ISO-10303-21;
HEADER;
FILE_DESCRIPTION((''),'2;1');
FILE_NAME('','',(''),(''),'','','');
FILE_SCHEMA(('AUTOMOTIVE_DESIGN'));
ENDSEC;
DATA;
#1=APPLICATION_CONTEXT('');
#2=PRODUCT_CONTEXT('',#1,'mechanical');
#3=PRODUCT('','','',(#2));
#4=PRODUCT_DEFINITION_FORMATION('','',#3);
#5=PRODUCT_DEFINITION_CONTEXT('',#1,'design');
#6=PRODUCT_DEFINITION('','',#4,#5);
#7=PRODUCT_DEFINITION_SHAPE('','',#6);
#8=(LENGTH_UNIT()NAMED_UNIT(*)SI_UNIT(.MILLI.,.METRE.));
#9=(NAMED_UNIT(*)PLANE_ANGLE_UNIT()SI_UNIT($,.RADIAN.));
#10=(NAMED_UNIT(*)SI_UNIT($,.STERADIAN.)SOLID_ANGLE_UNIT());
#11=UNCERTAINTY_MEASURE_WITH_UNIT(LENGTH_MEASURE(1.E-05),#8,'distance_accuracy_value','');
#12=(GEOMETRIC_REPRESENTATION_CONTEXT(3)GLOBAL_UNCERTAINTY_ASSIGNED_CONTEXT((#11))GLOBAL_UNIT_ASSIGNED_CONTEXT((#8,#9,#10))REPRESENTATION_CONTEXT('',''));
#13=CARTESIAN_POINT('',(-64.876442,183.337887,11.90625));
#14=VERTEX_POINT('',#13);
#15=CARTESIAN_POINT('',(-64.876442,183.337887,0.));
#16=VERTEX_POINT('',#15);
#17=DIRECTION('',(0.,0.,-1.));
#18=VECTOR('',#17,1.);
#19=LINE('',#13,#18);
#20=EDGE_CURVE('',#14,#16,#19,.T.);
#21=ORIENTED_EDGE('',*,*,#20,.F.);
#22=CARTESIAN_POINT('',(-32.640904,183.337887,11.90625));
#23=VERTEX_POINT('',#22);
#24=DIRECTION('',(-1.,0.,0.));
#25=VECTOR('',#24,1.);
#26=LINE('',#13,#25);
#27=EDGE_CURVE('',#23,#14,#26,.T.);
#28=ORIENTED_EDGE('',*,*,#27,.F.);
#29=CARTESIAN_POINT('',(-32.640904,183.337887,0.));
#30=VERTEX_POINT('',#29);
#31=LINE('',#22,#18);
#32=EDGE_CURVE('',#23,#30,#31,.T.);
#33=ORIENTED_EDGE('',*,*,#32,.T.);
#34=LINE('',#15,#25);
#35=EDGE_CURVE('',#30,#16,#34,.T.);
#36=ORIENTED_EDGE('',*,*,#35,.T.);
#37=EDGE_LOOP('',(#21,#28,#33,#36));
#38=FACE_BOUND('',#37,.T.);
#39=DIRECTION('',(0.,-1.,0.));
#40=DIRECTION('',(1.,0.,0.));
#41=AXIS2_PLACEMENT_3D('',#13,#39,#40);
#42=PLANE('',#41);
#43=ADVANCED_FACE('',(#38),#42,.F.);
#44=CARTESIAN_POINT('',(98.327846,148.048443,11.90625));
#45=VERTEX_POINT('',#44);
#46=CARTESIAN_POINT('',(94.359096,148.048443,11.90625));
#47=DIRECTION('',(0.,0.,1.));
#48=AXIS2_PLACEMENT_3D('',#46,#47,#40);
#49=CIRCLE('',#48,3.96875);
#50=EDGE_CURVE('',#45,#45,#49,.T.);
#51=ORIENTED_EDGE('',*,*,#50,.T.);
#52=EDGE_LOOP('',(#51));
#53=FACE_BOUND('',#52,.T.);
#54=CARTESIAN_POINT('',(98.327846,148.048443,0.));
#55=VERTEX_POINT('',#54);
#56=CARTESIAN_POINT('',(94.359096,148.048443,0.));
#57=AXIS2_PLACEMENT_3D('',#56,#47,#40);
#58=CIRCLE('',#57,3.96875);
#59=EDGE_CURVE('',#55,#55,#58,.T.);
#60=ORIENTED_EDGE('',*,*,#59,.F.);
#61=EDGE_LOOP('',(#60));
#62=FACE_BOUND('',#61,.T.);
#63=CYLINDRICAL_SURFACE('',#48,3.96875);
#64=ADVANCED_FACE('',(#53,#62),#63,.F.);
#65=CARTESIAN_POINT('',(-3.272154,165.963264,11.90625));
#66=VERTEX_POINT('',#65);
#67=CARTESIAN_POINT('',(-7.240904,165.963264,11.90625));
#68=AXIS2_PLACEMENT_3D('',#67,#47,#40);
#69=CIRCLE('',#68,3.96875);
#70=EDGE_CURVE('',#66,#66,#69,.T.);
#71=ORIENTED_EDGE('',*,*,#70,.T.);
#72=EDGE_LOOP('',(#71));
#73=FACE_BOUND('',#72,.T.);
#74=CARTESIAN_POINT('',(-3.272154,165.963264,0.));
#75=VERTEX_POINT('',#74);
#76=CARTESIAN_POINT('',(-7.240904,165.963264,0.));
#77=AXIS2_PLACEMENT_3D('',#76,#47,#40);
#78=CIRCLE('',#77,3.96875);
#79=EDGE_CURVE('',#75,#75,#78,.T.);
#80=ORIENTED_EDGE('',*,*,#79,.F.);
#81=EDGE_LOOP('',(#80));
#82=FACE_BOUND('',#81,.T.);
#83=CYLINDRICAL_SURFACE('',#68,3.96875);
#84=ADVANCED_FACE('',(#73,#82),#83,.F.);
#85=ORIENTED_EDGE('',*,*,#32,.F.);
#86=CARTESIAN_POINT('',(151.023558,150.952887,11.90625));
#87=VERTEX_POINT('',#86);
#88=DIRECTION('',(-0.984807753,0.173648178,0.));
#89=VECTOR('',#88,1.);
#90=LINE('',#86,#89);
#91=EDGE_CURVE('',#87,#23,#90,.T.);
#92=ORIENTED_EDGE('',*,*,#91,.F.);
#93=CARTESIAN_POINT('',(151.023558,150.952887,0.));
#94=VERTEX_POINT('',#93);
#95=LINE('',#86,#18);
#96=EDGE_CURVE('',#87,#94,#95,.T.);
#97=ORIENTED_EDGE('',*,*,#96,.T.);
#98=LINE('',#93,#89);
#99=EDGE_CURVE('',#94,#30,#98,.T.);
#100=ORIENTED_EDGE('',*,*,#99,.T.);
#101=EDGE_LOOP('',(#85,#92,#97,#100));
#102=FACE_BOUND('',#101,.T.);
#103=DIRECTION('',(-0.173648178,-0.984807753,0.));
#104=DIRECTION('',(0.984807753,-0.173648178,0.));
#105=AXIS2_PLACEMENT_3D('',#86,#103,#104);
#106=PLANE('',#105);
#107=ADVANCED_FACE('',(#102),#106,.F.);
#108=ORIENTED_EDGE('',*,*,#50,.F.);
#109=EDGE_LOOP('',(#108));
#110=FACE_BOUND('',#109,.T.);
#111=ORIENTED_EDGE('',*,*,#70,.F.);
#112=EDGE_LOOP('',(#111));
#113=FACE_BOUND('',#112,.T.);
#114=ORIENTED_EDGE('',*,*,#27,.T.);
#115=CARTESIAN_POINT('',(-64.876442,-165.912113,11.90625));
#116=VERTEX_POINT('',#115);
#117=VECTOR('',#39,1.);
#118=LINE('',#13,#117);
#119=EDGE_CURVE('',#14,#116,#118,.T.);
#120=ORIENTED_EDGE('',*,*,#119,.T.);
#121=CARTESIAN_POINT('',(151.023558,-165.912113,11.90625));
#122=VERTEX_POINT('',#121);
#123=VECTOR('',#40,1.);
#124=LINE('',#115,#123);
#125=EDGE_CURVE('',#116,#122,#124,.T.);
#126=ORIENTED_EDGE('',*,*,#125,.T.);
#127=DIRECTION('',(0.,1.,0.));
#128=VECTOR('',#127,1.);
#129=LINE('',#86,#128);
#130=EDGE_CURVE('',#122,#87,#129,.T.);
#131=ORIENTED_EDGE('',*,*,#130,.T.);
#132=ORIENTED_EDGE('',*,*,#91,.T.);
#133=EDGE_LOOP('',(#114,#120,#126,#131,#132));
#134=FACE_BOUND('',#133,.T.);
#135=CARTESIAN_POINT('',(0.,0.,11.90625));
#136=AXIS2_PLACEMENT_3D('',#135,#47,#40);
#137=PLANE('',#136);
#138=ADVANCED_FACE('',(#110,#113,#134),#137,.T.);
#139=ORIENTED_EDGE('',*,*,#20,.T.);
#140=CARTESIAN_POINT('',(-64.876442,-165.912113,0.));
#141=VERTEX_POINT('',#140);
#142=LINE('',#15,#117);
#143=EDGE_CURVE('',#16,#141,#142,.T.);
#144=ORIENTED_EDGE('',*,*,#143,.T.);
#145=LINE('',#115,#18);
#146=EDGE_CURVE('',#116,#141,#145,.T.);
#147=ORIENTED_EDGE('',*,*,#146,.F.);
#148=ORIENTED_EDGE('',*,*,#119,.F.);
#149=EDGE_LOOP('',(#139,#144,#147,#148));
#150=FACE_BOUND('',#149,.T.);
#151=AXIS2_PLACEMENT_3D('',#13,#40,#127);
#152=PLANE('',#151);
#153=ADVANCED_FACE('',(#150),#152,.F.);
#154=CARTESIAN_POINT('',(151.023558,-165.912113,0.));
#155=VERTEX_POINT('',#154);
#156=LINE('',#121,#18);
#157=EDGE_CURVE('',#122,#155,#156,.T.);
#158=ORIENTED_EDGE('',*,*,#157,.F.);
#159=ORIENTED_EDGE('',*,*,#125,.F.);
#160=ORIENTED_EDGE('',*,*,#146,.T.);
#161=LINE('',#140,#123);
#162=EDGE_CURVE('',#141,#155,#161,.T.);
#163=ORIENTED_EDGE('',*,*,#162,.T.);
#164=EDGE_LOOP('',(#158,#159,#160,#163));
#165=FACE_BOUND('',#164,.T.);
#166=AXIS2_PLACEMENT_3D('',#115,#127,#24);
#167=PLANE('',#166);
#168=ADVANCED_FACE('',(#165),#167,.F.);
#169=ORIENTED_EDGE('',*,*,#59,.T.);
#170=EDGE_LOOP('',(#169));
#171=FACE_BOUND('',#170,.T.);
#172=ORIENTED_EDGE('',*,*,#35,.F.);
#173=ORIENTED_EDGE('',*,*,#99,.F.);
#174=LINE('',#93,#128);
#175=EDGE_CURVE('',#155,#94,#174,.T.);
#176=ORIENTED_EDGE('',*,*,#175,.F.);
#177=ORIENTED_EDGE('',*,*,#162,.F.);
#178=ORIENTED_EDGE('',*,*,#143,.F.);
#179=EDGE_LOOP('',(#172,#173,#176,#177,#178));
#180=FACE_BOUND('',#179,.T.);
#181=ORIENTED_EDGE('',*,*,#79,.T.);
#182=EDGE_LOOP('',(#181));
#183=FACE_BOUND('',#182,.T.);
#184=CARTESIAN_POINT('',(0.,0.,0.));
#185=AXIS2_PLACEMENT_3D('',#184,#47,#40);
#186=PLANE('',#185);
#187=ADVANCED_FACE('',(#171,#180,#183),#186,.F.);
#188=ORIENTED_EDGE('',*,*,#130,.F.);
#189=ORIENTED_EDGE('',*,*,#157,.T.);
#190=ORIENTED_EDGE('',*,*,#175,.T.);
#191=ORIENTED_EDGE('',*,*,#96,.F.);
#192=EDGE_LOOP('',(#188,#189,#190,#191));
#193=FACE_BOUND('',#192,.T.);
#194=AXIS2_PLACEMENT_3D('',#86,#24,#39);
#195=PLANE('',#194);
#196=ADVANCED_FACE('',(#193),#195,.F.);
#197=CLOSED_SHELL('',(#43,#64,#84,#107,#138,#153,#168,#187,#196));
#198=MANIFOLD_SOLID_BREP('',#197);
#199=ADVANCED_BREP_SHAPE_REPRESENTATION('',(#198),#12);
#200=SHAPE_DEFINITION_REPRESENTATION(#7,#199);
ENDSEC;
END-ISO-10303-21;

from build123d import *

# Parameters (mm, degrees)
BOSS_EXTRUDE1_DEPTH            = 11.90625
F_5_16_0_3125_DIAMETER_HOLE1_D = 7.9375
SKETCH4_W                      = 220.489922176
SKETCH4_H                      = 247.65
CUT_EXTRUDE1_DEPTH             = 12.90625


with BuildPart() as part:
    # Sketch1 → Boss-Extrude1 (new body)
    with BuildSketch(Plane.XY):
        Polygon((151.023557582, 150.952887465), (-32.640904146, 183.337887465), (-64.876442418, 183.337887465), (-64.876442418, -413.562112535), (-32.640904146, -413.562112535), (151.023557582, -381.177112535), align=None)
    extrude(amount=BOSS_EXTRUDE1_DEPTH)

    # 5/16 (0.3125) Diameter Hole1 (through all)
    with Locations(Plane.XY.offset(11.90625)):
        with Locations((94.359095854, 148.048442944), (-7.240904146, 165.963264184), (-7.240904146, -396.187489254), (94.359095854, -378.272668014)):
            Hole(F_5_16_0_3125_DIAMETER_HOLE1_D / 2)

    # Sketch4 → Cut-Extrude1 (cut, through all)
    with BuildSketch(Plane(origin=(0, 0, 0), x_dir=(-1, 0, 0), z_dir=(0, 0, -1))):
        with Locations((-45.36851867, -289.737112535)):
            Rectangle(SKETCH4_W, SKETCH4_H)
    extrude(amount=-CUT_EXTRUDE1_DEPTH, mode=Mode.SUBTRACT)


solid = part.part
